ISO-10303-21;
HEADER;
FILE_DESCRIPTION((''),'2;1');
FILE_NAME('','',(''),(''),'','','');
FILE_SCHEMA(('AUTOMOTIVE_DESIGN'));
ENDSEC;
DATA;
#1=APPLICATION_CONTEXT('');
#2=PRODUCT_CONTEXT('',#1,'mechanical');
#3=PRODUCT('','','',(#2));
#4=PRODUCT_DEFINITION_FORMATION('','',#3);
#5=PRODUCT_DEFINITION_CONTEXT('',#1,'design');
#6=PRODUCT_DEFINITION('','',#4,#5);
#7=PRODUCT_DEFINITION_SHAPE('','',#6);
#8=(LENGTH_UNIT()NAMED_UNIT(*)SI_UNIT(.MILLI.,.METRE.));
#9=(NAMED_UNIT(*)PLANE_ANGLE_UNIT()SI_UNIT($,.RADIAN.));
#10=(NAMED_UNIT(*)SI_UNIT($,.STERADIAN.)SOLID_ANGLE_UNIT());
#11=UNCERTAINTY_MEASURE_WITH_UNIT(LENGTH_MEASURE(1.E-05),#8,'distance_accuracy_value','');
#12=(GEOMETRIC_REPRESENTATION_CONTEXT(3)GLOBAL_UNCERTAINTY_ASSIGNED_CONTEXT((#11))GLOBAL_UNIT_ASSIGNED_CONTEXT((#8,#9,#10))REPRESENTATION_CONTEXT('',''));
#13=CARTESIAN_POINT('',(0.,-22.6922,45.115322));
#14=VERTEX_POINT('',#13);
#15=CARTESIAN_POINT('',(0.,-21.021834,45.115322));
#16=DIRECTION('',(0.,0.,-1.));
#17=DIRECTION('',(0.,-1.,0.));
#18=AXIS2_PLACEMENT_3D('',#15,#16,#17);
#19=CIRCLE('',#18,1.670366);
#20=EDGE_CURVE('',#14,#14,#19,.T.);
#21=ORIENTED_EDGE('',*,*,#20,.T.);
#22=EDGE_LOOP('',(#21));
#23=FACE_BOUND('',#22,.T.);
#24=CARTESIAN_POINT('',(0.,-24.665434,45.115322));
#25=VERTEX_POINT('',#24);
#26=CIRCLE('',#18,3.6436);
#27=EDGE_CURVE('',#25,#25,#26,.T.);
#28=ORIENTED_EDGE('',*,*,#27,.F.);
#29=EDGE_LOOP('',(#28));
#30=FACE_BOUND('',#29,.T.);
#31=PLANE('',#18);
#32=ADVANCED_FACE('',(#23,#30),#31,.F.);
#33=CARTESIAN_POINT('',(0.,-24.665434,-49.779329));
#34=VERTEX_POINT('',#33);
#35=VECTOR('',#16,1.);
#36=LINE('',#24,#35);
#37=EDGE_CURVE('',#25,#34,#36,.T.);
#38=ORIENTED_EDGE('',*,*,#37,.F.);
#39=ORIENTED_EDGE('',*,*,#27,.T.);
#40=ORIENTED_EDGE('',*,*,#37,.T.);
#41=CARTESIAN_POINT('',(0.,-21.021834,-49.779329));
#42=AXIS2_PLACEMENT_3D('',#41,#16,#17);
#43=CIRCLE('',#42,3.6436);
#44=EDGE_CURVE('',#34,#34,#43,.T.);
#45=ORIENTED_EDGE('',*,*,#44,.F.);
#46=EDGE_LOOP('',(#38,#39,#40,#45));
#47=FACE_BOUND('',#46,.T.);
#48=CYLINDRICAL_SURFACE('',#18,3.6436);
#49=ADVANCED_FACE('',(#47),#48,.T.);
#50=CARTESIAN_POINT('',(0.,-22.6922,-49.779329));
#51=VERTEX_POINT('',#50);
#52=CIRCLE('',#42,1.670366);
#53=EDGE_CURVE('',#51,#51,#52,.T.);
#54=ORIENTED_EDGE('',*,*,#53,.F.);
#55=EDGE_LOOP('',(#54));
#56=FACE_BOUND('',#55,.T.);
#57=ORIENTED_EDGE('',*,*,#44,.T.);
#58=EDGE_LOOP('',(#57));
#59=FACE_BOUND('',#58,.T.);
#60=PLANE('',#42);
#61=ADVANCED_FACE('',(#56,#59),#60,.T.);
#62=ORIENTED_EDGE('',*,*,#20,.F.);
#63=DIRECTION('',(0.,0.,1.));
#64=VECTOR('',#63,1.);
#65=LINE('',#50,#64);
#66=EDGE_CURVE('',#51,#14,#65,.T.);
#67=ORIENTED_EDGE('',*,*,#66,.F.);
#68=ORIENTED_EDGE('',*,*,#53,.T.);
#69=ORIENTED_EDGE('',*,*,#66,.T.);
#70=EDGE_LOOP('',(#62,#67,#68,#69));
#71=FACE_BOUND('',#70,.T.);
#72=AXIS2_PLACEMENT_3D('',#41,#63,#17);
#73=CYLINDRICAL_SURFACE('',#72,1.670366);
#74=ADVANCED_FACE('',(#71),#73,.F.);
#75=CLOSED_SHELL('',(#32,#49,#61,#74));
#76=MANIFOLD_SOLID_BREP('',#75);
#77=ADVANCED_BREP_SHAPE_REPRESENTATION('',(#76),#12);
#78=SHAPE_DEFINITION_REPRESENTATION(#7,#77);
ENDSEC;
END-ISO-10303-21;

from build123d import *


with BuildPart() as f1:
    # F0 (on Right) → F1 (revolve)
    with BuildSketch(Plane.YZ):
        Polygon((-22.6922, 45.115322), (-24.665434, 45.115322), (-24.665434, -49.779329), (-22.6922, -49.779329), (-22.6922, 43.142088), align=None)
    revolve(axis=Axis((0, -21.021834, 44.039011), (0, 0, -1)))


solid = f1.part
